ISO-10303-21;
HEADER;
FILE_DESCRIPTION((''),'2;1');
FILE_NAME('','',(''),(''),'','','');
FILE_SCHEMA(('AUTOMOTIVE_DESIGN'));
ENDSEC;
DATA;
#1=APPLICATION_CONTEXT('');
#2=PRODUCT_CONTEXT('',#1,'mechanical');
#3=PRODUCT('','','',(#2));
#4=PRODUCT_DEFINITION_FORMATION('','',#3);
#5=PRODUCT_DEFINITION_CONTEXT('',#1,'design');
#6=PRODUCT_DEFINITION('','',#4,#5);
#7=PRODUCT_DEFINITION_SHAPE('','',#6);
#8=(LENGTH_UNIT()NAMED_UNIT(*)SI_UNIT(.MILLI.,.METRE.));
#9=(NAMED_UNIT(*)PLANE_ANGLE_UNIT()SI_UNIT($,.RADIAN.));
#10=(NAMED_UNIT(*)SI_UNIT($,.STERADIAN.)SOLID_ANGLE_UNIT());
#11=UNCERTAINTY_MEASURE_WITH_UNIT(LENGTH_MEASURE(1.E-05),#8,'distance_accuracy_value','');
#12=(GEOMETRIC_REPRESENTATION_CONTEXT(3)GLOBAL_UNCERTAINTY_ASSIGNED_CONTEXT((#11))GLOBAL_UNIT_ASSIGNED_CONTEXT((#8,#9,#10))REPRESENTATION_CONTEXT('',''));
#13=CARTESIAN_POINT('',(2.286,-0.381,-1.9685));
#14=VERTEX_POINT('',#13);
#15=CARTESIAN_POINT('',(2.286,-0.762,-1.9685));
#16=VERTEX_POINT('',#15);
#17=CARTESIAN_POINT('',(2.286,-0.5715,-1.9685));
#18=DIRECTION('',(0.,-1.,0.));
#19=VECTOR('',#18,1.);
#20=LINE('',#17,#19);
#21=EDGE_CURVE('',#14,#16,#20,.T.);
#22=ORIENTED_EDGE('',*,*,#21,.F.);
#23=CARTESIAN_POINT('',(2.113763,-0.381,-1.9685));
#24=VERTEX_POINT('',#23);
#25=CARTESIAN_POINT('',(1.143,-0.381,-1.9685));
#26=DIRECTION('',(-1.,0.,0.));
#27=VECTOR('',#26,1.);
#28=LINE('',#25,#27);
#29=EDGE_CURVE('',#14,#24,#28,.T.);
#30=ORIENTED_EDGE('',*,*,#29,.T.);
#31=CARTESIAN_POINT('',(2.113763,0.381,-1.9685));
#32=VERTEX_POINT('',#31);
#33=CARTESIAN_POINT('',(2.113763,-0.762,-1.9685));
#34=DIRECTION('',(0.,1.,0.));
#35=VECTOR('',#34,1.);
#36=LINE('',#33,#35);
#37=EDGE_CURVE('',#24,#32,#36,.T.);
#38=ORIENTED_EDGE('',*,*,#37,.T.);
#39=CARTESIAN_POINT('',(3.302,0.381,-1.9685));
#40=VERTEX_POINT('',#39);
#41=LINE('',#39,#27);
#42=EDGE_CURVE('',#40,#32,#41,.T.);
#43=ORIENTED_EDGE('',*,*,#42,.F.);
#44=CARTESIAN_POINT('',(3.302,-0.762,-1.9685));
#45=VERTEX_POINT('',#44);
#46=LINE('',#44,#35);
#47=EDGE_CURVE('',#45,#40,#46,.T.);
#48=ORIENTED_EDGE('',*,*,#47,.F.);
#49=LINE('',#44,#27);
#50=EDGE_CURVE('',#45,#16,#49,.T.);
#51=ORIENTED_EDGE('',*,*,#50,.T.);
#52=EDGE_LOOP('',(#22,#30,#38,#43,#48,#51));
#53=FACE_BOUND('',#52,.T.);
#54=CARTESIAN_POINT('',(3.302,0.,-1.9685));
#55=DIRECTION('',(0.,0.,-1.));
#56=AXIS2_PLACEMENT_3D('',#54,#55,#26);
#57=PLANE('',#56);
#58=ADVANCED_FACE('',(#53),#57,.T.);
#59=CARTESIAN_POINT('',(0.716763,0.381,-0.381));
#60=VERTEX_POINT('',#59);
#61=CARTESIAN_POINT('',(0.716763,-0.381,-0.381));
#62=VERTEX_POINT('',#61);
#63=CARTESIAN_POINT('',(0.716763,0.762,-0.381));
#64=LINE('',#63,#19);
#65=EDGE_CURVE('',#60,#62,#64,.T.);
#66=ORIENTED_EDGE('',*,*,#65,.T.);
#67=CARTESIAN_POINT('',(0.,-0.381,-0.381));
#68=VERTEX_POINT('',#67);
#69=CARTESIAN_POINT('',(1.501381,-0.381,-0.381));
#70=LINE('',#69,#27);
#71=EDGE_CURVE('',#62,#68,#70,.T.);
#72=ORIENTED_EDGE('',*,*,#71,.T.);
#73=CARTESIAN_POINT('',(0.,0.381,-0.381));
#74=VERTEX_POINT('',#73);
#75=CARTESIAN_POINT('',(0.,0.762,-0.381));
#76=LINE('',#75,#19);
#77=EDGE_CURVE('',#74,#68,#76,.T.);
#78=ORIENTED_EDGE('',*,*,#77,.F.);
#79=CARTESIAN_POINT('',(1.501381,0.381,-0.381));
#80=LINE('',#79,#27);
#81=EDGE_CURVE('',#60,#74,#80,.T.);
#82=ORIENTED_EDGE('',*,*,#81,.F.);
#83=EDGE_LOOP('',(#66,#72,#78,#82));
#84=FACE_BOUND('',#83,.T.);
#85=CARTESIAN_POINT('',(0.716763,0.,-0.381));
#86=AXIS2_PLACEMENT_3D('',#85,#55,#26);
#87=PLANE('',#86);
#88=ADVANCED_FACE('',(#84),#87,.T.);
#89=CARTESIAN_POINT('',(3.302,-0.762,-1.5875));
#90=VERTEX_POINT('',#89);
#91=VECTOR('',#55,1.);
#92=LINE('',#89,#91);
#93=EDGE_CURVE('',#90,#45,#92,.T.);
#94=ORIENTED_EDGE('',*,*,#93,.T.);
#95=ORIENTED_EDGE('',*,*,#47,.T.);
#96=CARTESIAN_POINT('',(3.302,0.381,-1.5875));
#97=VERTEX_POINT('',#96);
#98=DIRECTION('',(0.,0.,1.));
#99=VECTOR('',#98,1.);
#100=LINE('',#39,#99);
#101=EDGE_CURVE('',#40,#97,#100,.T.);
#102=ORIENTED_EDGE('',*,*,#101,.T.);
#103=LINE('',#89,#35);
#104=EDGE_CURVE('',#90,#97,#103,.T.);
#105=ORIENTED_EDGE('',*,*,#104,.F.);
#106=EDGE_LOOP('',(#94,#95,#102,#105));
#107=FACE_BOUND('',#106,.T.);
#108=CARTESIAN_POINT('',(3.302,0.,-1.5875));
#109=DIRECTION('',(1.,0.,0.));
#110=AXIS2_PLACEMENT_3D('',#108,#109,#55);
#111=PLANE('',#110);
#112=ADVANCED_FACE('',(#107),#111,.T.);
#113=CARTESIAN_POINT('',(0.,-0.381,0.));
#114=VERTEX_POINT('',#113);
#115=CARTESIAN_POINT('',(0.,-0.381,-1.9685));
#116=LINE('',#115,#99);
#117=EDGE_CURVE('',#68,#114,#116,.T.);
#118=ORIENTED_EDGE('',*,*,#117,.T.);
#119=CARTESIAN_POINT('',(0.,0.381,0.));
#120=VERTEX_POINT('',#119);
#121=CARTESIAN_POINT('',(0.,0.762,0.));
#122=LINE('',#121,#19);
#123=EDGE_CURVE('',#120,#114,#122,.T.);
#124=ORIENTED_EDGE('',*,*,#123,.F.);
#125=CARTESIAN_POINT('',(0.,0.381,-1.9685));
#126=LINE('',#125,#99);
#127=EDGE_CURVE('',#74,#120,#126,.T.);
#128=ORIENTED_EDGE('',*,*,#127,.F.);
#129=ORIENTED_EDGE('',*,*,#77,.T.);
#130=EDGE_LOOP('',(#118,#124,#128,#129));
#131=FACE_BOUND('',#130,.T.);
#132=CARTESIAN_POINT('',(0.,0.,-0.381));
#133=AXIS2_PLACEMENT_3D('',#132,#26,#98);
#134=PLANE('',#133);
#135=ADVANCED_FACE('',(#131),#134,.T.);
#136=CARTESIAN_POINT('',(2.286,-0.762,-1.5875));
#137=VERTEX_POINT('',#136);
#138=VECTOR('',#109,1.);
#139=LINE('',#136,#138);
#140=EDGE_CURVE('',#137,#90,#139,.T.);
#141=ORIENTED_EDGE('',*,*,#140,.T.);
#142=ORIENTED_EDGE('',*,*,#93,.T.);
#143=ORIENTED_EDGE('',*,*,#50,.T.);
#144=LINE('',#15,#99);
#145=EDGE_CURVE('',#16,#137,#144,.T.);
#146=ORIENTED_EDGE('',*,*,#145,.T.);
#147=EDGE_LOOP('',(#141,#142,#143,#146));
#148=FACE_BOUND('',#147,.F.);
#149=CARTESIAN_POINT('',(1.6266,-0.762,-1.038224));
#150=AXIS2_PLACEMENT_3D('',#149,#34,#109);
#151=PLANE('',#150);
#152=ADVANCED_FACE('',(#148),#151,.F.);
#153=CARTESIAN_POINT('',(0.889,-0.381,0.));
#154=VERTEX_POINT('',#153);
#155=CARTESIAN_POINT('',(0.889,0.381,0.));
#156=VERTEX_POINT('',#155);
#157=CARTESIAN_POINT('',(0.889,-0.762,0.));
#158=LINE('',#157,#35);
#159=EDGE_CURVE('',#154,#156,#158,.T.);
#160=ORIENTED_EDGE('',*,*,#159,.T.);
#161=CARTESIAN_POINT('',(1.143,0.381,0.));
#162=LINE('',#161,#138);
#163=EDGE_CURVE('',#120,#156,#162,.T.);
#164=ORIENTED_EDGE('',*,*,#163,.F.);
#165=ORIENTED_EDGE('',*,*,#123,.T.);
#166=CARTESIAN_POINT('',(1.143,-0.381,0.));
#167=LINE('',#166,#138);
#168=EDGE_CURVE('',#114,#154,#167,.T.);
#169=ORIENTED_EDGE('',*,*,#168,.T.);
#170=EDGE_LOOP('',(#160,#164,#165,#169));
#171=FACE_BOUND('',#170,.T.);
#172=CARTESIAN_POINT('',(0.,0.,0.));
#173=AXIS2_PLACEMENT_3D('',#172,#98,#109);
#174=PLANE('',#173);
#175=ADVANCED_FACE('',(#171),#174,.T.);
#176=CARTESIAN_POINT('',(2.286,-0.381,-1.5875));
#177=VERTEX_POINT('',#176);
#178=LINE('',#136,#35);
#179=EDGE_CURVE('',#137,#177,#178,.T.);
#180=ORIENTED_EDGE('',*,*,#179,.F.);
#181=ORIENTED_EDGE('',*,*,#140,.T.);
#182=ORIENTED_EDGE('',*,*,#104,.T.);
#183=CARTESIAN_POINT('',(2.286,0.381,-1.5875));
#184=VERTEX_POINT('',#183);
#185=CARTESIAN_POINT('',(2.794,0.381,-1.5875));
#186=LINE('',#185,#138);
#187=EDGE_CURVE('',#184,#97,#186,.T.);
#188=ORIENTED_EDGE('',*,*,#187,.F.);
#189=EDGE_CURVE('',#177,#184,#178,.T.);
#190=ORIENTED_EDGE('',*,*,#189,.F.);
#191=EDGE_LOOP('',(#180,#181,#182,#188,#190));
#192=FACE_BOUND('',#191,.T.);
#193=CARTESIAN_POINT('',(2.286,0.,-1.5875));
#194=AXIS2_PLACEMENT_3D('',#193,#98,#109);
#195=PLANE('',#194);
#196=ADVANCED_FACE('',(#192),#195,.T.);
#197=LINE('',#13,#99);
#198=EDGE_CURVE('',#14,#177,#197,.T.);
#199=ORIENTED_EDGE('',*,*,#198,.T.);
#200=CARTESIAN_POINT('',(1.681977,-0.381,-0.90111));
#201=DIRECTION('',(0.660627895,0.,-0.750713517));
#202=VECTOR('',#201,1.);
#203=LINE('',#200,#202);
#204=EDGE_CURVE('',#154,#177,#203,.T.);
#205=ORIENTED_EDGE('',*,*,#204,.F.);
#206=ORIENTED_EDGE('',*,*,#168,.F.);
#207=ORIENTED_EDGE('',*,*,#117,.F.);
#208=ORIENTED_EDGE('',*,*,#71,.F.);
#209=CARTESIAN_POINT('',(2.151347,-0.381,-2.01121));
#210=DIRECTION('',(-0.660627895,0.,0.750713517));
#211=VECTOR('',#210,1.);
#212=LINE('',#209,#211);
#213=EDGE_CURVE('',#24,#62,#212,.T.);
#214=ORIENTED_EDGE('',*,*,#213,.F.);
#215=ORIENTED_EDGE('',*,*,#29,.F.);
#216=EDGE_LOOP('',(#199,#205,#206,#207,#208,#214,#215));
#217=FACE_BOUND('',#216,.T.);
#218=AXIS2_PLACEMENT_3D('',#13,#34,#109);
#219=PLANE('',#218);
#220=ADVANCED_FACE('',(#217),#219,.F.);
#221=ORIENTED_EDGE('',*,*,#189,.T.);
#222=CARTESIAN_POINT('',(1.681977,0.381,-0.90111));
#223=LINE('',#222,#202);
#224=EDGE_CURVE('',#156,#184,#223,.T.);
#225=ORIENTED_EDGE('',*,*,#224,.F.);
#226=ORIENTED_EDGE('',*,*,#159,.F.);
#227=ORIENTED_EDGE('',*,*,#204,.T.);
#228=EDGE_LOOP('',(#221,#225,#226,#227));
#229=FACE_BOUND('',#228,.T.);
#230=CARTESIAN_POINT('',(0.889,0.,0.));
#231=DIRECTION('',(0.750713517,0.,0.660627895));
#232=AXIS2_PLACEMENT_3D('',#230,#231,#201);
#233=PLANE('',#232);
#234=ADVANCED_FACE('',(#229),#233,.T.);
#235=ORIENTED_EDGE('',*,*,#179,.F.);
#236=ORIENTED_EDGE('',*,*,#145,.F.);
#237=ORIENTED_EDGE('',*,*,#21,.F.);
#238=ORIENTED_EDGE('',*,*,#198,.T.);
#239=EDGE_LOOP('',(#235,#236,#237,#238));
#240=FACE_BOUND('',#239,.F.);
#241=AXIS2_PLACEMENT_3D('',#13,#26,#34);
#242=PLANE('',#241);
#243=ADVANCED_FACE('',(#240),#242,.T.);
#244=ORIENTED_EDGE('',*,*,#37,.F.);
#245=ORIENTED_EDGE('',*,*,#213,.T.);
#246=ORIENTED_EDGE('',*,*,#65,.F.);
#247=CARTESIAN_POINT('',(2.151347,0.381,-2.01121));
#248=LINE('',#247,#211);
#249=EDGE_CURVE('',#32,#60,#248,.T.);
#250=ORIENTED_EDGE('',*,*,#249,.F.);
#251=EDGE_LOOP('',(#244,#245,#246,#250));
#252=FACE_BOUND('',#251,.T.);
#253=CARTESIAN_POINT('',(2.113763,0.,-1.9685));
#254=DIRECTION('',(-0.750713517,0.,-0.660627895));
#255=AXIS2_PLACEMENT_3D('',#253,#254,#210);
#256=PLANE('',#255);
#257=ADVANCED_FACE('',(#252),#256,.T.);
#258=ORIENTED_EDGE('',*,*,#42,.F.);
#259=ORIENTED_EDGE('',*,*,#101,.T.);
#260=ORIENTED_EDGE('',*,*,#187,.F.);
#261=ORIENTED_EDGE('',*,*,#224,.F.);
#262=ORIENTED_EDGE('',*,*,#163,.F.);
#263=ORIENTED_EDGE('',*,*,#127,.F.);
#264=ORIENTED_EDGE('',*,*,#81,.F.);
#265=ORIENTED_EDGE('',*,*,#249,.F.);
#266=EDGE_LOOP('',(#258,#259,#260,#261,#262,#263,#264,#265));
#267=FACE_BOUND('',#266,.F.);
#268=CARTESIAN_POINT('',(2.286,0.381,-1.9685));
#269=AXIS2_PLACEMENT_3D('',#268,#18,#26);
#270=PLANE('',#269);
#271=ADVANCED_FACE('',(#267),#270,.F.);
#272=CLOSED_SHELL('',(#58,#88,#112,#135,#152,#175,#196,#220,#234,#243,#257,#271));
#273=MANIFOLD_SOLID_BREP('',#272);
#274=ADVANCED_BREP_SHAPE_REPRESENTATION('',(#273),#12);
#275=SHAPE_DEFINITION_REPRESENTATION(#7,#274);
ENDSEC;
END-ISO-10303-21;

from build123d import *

# Parameters (mm, degrees)
BOSS_EXTRUDE1_DEPTH = 0.762
SKETCH2_W           = 2.286
SKETCH2_H           = 0.381
CUT_EXTRUDE1_DEPTH  = 2.9685
SKETCH4_W           = 1.016
SKETCH4_H           = 0.381
CUT_EXTRUDE3_DEPTH  = 2.9685


with BuildPart() as part:
    # Sketch1 → Boss-Extrude1 (new body, symmetric)
    with BuildSketch(Plane(origin=(0, 0, 0), x_dir=(1, 0, 0), z_dir=(0, 1, 0))):
        Polygon((0, 0), (0.889, 0), (2.286, 1.5875), (3.302, 1.5875), (3.302, 1.9685), (2.113762829, 1.9685), (0.716762829, 0.381), (0, 0.381), align=None)
    extrude(amount=BOSS_EXTRUDE1_DEPTH, both=True)

    # Sketch2 → Cut-Extrude1 (cut, through all)
    with BuildSketch(Plane(origin=(0, 0, -1.9685), x_dir=(-1, 0, 0), z_dir=(0, 0, -1))):
        with Locations((-1.143, 0.5715)):
            Rectangle(SKETCH2_W, SKETCH2_H)
    cut_extrude1 = extrude(amount=-CUT_EXTRUDE1_DEPTH, mode=Mode.SUBTRACT)

    # Mirror1: Cut-Extrude1 across plane
    add(cut_extrude1.mirror(Plane.ZX), mode=Mode.SUBTRACT)

    # Sketch4 → Cut-Extrude3 (cut, through all)
    with BuildSketch(Plane(origin=(0, 0, -1.9685), x_dir=(-1, 0, 0), z_dir=(0, 0, -1))):
        with Locations((-2.794, 0.5715)):
            Rectangle(SKETCH4_W, SKETCH4_H)
    extrude(amount=-CUT_EXTRUDE3_DEPTH, mode=Mode.SUBTRACT)


solid = part.part
